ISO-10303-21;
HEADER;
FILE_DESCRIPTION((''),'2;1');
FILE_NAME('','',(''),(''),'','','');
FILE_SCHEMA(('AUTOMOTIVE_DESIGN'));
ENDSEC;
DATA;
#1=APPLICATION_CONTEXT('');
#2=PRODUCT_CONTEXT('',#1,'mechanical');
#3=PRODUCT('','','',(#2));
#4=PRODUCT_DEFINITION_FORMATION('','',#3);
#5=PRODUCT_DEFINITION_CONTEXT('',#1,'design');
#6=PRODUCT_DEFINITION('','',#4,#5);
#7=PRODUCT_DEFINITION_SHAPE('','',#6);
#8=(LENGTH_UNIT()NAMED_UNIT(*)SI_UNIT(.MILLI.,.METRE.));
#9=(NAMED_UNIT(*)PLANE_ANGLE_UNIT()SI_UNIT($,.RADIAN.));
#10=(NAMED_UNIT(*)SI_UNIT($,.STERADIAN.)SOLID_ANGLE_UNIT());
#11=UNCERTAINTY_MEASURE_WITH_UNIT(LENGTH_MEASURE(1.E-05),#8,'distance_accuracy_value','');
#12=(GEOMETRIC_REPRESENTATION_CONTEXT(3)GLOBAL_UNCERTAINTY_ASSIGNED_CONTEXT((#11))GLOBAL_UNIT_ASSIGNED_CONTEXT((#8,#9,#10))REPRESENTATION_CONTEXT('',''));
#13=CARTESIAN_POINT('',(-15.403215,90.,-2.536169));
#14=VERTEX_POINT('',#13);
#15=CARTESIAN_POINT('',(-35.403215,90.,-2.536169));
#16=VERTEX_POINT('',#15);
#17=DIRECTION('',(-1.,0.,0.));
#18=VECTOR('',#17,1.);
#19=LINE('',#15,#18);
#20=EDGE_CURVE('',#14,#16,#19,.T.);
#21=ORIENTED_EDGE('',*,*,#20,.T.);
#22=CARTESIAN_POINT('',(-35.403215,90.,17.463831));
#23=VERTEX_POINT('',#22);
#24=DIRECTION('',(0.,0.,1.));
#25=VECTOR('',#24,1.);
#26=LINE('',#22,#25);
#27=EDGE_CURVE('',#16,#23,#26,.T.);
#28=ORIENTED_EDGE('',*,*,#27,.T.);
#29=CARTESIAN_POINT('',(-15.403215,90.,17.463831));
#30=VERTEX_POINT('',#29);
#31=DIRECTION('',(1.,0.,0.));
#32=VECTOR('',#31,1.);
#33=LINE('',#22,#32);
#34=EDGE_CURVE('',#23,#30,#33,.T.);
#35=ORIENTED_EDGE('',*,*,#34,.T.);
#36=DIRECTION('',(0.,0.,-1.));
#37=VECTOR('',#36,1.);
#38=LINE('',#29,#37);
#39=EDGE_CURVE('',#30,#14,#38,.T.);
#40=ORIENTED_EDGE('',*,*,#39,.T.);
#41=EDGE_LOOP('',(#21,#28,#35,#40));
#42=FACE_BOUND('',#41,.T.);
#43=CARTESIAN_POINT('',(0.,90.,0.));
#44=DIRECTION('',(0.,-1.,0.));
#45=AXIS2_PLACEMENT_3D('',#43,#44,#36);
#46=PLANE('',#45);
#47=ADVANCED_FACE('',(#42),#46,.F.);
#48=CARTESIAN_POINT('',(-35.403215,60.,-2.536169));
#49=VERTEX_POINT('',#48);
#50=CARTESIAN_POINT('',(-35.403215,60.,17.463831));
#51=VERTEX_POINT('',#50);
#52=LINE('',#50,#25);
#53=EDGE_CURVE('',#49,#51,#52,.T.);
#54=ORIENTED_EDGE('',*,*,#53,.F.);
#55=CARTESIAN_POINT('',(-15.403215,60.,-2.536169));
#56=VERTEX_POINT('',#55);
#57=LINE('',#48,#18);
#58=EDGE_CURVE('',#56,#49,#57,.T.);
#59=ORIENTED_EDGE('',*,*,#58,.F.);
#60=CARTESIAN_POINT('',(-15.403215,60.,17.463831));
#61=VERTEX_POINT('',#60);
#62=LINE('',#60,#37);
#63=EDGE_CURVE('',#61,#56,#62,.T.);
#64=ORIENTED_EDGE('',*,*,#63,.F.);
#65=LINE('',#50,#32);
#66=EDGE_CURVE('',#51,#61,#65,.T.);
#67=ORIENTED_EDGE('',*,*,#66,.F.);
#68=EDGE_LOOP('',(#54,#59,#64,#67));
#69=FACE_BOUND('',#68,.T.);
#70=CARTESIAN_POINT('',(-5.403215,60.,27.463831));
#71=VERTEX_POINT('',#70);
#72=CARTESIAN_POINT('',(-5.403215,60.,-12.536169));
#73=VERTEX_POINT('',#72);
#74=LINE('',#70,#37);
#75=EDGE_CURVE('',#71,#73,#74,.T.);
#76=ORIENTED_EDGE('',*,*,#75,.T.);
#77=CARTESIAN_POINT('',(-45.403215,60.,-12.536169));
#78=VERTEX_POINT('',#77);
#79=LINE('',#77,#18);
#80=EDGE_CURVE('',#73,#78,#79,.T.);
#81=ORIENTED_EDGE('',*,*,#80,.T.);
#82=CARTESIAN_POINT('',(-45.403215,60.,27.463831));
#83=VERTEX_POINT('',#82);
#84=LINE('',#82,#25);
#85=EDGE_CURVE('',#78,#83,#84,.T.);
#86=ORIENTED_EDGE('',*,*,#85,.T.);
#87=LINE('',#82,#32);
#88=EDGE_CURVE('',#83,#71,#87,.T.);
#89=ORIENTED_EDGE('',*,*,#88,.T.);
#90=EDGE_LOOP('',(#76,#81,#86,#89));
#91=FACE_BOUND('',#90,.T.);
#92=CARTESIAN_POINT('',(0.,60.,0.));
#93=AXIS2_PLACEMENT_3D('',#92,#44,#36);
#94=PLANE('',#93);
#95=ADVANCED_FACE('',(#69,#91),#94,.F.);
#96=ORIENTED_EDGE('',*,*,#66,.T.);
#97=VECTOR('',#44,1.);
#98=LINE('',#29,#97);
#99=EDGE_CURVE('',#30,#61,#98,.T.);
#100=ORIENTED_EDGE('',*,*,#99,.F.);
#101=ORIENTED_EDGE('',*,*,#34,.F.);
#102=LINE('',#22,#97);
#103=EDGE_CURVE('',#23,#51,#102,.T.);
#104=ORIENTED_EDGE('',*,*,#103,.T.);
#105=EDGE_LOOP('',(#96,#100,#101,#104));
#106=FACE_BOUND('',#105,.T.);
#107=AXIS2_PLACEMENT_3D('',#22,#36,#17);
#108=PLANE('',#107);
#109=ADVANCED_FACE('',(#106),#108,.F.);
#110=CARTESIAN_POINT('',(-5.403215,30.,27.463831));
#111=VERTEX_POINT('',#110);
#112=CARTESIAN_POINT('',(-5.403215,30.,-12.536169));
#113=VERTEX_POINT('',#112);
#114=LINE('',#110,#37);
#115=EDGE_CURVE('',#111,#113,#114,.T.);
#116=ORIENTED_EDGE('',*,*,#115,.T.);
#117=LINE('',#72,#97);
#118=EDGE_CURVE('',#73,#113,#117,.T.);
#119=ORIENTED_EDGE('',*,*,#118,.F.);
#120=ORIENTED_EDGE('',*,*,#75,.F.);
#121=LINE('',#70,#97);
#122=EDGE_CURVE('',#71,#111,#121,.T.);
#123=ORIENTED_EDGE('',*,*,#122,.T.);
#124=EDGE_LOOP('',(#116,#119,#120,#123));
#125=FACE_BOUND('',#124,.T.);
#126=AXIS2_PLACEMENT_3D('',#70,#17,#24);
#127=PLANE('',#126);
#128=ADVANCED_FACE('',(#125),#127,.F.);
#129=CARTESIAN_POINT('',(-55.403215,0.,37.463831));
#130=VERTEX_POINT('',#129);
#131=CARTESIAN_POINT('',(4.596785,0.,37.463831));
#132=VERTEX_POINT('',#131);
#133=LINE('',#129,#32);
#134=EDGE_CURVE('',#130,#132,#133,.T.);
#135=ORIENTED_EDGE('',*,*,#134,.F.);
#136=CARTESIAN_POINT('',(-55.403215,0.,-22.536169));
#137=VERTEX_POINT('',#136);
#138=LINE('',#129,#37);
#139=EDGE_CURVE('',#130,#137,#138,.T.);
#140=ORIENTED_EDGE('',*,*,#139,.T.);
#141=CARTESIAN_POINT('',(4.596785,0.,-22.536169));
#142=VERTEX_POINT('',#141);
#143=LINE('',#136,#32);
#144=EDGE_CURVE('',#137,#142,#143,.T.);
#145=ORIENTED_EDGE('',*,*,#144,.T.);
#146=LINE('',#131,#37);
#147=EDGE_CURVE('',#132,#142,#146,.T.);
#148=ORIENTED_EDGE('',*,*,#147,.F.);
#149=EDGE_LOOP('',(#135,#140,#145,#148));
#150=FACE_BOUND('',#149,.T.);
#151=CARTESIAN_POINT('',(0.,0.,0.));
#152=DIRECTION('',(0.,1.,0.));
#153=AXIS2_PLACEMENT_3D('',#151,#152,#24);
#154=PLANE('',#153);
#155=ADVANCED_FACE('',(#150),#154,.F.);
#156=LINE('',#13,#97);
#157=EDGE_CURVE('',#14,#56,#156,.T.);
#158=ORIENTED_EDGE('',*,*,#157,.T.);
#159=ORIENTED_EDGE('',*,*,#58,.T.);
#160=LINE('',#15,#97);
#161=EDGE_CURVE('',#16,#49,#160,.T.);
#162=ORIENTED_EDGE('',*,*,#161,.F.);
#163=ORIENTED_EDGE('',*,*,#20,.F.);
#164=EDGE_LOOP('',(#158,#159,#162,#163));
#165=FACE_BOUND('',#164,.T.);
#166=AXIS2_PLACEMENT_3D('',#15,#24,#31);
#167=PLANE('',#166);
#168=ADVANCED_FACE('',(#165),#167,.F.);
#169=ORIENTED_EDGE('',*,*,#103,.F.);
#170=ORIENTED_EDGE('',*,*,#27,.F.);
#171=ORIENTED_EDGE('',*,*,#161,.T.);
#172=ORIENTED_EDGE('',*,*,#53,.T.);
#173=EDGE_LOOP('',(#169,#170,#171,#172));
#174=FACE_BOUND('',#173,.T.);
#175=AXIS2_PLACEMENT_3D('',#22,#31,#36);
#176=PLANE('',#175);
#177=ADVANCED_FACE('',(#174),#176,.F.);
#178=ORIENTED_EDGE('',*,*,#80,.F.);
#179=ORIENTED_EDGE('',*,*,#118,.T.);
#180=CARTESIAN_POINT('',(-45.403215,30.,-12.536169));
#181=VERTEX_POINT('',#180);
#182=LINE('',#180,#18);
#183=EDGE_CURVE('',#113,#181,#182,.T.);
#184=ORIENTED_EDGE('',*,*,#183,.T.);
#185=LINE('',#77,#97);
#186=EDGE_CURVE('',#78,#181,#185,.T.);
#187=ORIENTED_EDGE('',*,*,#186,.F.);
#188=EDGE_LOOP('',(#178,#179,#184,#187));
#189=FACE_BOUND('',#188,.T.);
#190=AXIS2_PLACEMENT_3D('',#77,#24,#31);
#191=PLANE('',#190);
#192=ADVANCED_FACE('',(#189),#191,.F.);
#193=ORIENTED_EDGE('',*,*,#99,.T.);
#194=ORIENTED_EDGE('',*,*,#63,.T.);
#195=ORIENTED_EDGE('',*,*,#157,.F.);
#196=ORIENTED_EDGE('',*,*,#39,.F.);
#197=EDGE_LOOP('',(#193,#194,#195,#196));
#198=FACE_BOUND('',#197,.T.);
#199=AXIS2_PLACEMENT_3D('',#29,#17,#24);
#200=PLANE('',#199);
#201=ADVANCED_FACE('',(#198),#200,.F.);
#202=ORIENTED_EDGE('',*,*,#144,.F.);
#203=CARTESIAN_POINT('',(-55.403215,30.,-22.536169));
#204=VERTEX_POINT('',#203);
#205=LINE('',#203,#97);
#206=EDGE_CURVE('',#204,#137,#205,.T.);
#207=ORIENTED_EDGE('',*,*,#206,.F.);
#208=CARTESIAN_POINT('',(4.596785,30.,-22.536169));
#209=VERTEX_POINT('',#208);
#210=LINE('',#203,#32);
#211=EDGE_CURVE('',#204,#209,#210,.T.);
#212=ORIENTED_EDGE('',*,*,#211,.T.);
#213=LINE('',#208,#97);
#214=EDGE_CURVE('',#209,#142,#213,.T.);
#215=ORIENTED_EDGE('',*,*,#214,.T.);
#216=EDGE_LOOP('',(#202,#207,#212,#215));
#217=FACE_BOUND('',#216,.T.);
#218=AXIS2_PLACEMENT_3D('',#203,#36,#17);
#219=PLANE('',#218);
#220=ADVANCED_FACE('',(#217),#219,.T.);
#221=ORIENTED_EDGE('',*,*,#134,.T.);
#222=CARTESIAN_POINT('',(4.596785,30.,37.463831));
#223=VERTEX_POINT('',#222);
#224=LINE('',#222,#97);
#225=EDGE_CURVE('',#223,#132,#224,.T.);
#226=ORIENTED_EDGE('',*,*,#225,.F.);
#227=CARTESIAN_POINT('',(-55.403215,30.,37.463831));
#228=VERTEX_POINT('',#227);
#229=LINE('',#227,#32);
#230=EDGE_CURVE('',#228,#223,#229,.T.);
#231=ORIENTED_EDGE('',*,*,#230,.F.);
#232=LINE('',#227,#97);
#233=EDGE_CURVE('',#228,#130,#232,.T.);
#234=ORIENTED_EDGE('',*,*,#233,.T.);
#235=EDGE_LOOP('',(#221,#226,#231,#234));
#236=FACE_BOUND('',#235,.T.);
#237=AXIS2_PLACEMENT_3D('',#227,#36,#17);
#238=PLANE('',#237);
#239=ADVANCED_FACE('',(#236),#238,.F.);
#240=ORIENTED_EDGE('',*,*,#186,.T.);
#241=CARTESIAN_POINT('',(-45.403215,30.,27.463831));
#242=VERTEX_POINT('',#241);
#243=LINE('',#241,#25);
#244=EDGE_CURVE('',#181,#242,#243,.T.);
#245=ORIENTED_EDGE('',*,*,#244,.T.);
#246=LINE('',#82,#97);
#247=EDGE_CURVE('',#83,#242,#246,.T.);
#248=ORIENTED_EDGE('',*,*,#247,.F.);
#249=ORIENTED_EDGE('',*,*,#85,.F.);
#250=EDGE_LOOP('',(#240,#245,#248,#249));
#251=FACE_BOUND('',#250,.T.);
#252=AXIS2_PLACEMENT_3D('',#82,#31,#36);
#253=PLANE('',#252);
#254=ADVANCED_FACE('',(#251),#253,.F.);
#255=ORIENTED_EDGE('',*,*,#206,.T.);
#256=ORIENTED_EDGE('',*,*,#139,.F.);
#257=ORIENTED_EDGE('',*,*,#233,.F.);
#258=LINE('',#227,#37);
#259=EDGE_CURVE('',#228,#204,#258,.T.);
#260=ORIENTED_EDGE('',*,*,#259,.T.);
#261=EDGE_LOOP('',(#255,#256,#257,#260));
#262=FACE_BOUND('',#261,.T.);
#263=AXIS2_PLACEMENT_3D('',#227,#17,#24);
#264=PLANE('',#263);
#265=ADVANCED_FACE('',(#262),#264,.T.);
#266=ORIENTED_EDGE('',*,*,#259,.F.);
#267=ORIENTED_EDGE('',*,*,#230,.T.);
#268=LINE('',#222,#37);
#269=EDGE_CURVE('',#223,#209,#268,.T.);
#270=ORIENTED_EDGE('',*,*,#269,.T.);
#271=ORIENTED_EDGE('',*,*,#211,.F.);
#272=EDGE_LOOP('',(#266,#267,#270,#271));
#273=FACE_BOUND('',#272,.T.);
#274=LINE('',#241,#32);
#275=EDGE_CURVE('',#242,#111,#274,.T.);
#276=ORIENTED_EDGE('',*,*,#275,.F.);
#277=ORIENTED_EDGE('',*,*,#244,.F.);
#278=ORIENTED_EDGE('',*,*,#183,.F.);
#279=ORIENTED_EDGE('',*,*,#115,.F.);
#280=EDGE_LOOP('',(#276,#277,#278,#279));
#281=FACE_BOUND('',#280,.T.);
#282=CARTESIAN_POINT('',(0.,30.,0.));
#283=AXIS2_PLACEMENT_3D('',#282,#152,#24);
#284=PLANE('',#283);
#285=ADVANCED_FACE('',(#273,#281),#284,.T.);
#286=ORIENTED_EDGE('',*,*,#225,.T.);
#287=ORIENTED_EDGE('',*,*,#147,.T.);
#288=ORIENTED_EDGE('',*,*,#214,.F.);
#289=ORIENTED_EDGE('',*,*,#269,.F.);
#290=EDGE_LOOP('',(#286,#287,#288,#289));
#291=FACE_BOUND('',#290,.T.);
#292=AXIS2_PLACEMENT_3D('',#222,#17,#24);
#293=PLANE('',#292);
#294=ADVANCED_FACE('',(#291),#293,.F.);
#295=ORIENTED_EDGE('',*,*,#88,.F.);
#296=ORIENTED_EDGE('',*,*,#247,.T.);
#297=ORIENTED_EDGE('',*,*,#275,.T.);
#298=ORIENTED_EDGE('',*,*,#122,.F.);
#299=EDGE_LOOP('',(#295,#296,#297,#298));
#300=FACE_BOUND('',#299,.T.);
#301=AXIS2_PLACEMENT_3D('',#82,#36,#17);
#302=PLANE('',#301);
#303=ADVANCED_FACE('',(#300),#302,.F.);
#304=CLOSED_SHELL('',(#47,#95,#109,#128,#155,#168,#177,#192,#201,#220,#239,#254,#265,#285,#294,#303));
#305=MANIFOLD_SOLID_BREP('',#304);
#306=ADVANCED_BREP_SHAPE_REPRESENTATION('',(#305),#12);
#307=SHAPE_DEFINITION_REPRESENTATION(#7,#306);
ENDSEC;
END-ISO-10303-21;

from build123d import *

# Parameters (mm, degrees)
SKETCH_1_W      = 60
SKETCH_1_H      = 60
EXTRUDE_1_DEPTH = 30
SKETCH_2_W      = 40
SKETCH_2_H      = 40
EXTRUDE_2_DEPTH = 30
SKETCH_3_W      = 20
SKETCH_3_H      = 20
EXTRUDE_3_DEPTH = 30


with BuildPart() as part:
    # 스케치1 → 보스-돌출1 (new body)
    with BuildSketch(Plane(origin=(0, 0, 0), x_dir=(1, 0, 0), z_dir=(0, 1, 0))):
        with Locations((-25.403215003, -7.463831212)):
            Rectangle(SKETCH_1_W, SKETCH_1_H)
    extrude(amount=EXTRUDE_1_DEPTH)

    # 스케치2 → 보스-돌출2 (add)
    with BuildSketch(Plane(origin=(0, 30, 0), x_dir=(1, 0, 0), z_dir=(0, 1, 0))):
        with Locations((-25.403215003, -7.463831212)):
            Rectangle(SKETCH_2_W, SKETCH_2_H)
    extrude(amount=EXTRUDE_2_DEPTH)

    # 스케치3 → 보스-돌출3 (add)
    with BuildSketch(Plane(origin=(0, 60, 0), x_dir=(1, 0, 0), z_dir=(0, 1, 0))):
        with Locations((-25.403215003, -7.463831212)):
            Rectangle(SKETCH_3_W, SKETCH_3_H)
    extrude(amount=EXTRUDE_3_DEPTH)


solid = part.part
